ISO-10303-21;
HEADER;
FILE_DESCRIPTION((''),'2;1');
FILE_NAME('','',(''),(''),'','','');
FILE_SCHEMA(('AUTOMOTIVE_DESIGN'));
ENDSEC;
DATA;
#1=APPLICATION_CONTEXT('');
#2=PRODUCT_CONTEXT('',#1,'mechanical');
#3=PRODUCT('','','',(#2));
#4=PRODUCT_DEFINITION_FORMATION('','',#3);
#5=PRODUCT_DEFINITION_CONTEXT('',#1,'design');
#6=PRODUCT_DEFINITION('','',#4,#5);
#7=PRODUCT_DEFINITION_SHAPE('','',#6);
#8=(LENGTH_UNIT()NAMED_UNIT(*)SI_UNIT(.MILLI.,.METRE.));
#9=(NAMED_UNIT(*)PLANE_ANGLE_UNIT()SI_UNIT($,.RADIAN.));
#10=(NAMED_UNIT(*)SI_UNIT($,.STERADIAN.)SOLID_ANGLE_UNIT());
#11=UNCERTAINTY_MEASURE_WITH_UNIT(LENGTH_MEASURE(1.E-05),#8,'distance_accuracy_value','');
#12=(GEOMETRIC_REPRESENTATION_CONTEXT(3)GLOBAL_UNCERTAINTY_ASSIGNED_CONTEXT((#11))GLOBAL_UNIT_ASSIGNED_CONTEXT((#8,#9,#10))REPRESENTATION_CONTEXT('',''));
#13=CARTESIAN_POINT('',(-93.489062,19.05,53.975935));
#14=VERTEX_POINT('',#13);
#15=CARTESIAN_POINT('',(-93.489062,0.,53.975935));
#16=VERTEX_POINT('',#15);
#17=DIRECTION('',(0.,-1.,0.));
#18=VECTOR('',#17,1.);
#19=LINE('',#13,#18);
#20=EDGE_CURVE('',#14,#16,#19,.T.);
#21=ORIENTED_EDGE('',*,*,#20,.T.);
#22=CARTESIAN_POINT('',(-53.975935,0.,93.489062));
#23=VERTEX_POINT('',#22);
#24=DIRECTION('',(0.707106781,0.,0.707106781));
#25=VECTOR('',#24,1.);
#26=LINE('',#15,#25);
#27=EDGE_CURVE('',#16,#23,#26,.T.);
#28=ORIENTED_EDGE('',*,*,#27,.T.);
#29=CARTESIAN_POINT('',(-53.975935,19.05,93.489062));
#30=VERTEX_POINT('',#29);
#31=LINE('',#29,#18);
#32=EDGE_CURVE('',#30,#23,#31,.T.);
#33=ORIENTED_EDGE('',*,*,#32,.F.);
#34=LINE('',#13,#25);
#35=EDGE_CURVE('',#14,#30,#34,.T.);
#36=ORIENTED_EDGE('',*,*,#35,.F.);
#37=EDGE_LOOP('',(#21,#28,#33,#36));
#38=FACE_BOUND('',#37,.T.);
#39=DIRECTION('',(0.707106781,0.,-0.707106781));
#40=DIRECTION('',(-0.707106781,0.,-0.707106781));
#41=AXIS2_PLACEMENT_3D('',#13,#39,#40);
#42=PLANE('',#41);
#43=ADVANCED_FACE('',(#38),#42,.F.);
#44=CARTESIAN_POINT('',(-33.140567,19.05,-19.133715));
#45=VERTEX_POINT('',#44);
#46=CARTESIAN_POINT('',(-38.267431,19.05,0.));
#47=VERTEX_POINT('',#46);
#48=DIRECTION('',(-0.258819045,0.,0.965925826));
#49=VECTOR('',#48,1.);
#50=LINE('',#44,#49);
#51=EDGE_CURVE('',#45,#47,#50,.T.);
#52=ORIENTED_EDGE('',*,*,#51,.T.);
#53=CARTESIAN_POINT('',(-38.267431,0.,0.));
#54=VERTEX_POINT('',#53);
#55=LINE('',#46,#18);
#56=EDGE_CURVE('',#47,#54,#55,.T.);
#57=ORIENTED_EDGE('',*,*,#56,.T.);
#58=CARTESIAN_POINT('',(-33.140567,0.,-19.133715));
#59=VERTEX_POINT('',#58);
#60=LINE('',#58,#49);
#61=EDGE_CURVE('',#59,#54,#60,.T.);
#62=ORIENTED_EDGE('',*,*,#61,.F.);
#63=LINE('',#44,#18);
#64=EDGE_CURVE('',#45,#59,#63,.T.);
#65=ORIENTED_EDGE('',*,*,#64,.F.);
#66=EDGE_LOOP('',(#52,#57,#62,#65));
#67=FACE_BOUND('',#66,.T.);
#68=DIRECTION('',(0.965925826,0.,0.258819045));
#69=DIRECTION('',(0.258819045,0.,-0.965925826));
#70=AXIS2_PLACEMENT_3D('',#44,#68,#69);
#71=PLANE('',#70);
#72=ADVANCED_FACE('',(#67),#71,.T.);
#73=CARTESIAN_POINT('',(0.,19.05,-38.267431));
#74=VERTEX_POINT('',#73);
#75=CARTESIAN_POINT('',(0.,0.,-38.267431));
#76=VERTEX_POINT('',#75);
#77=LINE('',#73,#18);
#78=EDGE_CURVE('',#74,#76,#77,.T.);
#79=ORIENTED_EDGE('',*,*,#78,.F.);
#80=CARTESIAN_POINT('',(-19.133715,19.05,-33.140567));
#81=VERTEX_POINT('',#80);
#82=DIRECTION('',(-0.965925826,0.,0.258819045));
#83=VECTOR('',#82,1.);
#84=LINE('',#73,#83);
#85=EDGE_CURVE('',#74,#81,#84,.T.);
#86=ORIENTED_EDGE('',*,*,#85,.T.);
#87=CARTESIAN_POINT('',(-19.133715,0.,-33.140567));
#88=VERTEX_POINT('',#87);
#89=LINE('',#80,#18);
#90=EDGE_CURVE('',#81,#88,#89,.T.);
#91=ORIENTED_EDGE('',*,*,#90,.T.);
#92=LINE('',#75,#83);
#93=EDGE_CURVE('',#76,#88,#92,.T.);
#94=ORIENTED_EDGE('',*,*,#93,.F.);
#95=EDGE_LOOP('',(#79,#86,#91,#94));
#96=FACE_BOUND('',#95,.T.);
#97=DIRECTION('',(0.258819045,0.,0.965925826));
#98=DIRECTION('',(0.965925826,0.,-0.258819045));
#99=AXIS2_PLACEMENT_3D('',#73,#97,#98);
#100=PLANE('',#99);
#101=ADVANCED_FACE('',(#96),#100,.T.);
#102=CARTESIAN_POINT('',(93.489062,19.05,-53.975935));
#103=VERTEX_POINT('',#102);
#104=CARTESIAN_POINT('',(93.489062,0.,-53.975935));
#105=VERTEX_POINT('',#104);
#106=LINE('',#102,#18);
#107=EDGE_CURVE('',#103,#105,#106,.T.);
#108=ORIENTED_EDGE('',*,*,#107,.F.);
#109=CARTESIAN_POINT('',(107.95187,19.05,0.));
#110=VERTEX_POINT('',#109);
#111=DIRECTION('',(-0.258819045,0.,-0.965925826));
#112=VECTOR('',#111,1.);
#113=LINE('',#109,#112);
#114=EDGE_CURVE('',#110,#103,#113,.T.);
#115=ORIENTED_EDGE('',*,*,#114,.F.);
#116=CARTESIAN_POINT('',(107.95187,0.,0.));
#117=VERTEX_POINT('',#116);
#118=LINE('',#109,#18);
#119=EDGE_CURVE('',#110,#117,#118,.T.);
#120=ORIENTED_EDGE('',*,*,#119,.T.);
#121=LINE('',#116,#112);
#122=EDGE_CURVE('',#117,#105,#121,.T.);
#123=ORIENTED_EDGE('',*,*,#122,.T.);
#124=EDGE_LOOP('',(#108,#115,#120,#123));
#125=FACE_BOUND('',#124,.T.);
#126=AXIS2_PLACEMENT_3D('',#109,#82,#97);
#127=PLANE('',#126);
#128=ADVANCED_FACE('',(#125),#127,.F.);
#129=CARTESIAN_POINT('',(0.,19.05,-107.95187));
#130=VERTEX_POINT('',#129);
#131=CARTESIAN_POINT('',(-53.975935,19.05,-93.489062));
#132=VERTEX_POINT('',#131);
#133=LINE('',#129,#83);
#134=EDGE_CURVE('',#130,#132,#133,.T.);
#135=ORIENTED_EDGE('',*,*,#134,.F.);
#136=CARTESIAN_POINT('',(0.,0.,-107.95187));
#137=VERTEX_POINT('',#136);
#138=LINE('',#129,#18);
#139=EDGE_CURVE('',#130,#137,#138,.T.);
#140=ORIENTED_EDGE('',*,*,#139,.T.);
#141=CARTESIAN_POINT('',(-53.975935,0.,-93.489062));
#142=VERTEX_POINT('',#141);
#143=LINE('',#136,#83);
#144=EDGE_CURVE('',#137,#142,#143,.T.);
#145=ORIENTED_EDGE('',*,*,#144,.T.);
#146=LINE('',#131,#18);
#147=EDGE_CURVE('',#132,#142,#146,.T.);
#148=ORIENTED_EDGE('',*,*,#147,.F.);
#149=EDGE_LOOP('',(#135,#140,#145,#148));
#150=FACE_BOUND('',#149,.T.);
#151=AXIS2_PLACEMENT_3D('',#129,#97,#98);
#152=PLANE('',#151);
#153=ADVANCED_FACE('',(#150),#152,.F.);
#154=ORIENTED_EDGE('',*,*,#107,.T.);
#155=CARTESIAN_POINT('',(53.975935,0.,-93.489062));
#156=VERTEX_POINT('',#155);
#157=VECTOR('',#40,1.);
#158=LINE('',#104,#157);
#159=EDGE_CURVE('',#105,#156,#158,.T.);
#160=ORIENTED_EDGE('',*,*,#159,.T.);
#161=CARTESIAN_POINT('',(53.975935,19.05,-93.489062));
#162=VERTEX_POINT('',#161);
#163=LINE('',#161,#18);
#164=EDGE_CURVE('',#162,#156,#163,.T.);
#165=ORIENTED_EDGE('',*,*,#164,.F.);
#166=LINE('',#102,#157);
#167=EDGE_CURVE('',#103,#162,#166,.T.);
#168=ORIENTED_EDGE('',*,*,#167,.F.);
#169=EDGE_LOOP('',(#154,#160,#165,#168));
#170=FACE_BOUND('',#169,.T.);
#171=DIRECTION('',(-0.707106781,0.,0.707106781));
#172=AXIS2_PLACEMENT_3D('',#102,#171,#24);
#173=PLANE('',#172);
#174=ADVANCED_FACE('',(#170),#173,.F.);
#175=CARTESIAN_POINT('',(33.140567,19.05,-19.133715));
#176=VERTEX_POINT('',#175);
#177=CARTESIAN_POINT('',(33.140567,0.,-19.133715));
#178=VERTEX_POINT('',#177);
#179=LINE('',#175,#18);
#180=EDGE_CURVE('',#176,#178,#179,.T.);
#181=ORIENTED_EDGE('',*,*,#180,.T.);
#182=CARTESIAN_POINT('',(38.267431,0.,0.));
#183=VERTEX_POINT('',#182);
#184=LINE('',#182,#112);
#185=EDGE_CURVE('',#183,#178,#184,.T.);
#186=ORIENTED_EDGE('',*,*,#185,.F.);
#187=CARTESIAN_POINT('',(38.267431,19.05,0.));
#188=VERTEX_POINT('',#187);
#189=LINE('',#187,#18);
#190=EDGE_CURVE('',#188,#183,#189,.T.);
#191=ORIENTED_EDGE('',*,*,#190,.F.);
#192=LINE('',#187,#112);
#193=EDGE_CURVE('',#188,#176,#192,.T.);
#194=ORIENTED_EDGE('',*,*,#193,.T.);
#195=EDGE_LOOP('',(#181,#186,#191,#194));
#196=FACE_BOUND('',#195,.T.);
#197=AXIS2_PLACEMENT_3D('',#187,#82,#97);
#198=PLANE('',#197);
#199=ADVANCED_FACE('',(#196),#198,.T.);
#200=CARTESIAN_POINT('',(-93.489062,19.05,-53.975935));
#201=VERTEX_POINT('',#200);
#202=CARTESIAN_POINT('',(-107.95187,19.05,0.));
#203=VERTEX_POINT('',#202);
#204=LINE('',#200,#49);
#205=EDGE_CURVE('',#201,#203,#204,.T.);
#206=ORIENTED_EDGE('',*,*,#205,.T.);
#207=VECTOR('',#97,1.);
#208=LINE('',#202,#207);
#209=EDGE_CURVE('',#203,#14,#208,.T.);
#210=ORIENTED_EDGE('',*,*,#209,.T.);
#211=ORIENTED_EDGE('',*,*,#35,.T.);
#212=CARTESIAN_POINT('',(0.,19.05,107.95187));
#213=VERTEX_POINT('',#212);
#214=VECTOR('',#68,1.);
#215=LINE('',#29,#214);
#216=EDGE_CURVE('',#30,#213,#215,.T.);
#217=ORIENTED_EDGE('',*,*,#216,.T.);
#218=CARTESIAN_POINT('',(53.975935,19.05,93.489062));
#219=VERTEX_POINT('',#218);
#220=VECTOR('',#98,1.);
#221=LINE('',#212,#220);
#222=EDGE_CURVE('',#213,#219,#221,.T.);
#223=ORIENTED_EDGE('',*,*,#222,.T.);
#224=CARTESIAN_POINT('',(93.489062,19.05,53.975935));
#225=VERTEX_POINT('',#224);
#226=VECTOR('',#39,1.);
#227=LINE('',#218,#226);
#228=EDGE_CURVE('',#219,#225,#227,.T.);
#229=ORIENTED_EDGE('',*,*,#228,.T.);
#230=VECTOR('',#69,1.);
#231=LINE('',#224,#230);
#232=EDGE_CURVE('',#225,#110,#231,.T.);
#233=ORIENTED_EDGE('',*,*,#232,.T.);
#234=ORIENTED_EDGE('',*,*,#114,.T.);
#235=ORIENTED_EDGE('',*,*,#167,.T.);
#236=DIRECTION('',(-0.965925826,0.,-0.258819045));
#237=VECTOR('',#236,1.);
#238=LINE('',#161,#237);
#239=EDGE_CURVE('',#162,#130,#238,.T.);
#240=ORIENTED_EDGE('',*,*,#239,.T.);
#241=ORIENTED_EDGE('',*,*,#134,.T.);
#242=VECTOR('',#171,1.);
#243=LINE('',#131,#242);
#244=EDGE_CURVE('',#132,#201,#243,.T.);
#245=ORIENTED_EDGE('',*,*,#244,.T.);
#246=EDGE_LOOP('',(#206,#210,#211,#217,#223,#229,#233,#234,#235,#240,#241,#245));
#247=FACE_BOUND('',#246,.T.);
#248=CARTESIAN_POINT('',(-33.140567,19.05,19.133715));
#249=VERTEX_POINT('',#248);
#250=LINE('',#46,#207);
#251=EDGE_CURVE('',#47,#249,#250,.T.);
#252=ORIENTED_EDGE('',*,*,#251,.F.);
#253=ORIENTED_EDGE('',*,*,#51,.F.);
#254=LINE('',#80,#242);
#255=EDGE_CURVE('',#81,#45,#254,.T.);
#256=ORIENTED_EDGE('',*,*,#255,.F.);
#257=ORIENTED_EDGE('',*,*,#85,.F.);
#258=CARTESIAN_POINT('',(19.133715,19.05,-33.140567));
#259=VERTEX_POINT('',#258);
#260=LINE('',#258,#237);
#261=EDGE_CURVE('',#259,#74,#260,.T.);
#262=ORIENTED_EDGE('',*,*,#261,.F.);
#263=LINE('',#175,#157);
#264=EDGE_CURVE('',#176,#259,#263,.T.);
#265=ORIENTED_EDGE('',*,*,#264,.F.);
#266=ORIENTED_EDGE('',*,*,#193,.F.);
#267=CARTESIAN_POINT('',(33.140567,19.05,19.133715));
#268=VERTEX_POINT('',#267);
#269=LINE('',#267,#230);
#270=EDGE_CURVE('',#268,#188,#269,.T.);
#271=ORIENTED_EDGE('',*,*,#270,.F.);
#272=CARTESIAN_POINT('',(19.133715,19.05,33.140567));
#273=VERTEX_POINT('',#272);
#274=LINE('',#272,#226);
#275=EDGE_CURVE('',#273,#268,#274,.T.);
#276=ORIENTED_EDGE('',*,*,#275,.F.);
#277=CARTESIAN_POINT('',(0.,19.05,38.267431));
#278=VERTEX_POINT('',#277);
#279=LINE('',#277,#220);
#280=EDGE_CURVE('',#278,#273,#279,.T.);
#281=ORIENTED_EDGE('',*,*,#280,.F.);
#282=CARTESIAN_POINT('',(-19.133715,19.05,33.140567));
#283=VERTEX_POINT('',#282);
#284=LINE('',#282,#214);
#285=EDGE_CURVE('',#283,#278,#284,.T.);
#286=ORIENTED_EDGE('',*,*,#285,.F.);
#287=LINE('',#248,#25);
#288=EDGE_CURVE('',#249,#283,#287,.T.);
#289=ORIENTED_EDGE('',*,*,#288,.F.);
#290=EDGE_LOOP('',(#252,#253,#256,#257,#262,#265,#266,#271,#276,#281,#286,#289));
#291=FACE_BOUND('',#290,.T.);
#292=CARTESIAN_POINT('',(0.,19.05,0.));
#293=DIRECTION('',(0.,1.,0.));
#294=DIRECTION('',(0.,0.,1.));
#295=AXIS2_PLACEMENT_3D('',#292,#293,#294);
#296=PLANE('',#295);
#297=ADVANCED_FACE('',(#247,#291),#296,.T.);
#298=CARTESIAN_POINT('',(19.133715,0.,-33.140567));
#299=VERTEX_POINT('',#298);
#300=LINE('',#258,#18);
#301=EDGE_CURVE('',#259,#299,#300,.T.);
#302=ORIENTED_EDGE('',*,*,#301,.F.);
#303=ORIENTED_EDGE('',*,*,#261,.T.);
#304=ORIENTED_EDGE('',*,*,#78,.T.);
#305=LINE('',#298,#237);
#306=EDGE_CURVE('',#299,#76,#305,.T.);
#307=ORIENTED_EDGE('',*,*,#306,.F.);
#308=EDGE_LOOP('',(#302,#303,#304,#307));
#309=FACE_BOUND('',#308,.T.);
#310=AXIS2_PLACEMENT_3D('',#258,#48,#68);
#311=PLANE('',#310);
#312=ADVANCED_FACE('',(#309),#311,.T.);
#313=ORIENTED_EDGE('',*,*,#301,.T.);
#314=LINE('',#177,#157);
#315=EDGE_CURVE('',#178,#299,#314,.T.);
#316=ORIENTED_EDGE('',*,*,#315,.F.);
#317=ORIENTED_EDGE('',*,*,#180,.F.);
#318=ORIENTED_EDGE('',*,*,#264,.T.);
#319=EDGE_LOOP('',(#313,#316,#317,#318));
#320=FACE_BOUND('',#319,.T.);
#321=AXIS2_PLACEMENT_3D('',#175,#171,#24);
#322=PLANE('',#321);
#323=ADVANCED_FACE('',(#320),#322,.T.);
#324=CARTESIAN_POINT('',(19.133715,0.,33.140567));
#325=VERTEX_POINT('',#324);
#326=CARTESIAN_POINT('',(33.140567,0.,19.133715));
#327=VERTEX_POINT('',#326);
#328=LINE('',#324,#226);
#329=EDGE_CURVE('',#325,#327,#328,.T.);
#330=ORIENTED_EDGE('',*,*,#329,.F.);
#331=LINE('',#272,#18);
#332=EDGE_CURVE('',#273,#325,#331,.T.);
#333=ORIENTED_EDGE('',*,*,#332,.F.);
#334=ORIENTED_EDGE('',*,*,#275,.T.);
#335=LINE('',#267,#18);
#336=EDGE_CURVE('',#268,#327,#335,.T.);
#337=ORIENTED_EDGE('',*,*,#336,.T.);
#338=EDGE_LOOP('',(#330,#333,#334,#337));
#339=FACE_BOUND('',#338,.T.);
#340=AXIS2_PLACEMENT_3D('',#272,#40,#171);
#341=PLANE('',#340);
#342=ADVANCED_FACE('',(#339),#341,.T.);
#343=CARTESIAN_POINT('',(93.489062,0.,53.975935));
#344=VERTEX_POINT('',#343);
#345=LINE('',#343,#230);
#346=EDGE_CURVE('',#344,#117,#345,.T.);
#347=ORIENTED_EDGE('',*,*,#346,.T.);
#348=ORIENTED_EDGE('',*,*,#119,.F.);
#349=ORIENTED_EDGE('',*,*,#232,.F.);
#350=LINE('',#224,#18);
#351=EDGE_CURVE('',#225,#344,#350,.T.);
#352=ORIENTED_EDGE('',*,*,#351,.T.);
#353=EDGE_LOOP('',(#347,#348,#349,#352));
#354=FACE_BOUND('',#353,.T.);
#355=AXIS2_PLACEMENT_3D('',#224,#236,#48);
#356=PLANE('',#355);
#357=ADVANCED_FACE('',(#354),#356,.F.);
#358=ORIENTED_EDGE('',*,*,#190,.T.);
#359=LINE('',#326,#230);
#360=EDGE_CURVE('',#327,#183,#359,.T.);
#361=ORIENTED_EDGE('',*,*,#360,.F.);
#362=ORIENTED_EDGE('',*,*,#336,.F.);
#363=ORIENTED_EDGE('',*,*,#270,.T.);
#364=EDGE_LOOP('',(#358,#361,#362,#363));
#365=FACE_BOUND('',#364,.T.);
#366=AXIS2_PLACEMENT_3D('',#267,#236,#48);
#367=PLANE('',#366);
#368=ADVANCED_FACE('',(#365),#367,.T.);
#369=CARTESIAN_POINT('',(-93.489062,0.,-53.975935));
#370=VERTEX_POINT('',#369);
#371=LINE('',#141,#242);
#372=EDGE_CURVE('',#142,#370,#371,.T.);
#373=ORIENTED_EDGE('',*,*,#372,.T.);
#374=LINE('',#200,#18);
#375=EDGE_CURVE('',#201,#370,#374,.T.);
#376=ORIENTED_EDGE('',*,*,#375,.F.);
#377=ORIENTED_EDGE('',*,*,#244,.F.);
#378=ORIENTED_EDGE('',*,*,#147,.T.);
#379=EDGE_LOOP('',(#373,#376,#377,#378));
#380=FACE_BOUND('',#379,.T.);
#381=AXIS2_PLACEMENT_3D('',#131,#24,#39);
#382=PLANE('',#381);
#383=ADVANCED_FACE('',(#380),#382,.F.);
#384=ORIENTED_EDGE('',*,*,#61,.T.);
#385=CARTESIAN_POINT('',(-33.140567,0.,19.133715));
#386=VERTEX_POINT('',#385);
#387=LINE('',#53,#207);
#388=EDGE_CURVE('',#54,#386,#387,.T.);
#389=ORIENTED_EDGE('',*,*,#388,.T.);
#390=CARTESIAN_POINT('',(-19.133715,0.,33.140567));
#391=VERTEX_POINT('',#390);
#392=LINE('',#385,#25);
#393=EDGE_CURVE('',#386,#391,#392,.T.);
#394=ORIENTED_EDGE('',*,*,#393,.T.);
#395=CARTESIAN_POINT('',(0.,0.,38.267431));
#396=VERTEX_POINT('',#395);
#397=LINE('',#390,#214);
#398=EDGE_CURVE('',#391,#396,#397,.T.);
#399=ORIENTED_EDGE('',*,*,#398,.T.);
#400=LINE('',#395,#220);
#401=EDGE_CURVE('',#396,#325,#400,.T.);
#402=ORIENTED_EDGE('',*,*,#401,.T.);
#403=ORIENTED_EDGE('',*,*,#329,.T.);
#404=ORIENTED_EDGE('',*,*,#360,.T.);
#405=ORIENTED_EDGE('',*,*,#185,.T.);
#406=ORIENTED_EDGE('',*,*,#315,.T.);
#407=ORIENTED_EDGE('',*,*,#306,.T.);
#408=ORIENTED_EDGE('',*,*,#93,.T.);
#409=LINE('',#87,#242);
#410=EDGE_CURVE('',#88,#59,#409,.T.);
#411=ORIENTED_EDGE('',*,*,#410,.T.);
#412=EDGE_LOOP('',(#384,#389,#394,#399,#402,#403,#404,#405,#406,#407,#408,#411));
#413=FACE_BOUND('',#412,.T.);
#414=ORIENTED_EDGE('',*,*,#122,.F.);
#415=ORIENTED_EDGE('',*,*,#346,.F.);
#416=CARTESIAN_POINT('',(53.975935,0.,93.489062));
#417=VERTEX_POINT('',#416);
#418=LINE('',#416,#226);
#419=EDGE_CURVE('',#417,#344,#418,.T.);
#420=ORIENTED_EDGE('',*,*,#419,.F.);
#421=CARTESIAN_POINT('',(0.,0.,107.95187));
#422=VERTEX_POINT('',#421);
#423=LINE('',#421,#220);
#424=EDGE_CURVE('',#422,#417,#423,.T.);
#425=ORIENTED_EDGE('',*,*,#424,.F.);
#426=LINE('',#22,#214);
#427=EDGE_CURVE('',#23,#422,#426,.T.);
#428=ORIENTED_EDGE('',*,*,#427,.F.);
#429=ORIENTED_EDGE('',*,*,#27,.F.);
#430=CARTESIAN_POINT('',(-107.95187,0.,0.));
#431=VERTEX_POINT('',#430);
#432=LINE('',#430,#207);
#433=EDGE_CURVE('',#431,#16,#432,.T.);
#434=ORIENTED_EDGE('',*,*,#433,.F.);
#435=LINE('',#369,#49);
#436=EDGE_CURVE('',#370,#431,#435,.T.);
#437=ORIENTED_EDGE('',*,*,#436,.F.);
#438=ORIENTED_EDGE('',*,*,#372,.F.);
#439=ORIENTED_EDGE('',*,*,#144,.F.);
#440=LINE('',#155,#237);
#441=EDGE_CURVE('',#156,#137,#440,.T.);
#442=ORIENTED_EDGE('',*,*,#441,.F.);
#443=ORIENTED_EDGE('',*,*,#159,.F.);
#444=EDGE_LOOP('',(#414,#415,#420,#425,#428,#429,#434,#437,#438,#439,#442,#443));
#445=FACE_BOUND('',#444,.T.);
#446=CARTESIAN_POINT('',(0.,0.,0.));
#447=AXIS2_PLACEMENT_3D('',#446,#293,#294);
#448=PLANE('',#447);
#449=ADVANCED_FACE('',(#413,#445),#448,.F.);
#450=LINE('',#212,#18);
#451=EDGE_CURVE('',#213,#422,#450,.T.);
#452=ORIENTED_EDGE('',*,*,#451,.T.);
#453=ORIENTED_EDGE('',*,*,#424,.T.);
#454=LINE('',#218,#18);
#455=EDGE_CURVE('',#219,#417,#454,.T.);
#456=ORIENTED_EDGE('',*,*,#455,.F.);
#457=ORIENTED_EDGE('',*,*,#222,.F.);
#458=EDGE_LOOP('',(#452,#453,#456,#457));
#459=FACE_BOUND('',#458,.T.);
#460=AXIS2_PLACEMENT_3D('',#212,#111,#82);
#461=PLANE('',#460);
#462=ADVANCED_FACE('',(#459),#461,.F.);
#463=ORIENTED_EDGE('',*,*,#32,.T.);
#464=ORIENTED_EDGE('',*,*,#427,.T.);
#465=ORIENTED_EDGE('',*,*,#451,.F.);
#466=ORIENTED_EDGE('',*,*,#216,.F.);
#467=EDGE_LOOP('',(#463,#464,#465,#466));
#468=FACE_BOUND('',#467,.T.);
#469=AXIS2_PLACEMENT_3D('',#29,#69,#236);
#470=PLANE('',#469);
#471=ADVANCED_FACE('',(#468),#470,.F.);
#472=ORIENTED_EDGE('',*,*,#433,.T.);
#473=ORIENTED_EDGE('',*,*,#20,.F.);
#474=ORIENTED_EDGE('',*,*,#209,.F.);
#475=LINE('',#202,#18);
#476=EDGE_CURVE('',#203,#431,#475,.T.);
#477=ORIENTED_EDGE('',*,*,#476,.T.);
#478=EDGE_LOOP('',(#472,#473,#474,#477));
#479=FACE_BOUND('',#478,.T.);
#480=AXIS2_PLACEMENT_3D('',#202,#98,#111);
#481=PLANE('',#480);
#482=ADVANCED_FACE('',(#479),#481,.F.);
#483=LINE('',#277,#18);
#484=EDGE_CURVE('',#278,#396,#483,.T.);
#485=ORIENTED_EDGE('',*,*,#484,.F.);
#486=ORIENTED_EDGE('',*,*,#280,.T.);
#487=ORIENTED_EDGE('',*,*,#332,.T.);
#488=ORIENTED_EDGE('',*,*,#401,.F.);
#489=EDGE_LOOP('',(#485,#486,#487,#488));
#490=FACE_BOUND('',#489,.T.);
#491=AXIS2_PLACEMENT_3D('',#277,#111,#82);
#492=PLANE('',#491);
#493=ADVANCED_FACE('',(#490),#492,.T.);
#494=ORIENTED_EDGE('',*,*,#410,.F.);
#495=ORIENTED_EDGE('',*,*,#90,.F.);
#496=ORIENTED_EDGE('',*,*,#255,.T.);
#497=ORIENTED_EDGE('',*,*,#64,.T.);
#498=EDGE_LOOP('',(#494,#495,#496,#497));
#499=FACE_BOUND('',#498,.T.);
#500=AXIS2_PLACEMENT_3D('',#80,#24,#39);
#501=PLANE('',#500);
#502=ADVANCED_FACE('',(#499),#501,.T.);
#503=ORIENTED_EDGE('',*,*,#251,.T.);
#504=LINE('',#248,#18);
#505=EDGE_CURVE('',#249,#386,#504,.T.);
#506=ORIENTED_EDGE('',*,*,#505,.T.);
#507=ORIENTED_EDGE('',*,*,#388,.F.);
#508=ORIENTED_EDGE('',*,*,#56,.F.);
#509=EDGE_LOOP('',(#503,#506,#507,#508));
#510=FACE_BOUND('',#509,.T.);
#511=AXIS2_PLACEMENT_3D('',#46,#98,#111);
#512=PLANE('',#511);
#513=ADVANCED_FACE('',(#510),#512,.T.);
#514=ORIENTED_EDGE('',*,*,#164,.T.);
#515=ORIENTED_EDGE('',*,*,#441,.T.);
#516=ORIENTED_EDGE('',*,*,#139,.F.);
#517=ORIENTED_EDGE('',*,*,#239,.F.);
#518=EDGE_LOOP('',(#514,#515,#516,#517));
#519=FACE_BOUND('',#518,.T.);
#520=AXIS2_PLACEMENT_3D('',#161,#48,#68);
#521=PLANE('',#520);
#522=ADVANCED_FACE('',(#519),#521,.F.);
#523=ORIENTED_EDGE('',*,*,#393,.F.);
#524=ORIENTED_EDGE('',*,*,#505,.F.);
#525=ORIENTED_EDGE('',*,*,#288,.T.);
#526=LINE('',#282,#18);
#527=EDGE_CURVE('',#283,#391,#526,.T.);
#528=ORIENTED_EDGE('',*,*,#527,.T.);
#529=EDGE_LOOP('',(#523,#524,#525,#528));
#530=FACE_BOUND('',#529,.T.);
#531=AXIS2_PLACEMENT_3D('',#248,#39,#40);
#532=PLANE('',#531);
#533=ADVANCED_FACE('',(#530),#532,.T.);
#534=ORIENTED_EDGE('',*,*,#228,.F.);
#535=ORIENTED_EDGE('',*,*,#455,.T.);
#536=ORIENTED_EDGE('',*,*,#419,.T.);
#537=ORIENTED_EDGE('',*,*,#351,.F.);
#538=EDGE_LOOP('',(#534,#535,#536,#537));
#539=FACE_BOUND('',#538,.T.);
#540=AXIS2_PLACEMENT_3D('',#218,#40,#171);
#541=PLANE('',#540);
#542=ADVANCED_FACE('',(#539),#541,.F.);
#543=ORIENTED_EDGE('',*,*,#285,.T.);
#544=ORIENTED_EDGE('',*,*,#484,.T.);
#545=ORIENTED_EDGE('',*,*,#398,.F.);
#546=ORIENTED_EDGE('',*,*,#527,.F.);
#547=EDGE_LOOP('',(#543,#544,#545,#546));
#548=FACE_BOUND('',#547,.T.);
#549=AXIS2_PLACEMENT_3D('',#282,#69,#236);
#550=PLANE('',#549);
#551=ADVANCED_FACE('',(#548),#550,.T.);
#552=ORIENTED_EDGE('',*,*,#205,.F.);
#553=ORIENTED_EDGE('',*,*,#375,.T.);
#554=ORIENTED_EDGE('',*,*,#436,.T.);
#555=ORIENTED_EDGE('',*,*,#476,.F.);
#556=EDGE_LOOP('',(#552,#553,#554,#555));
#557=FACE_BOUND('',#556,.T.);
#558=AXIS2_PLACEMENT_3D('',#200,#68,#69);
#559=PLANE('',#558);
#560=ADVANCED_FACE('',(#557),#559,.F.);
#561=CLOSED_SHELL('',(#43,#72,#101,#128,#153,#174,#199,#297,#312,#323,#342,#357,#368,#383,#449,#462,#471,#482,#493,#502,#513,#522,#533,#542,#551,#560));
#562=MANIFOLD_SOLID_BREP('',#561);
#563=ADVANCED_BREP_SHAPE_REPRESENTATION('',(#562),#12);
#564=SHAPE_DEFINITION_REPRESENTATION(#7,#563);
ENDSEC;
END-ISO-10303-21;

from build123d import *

# Parameters (mm, degrees)
BOSS_EXTRUDE2_DEPTH = 19.05


with BuildPart() as part:
    # Sketch2 → Boss-Extrude2 (new body)
    with BuildSketch(Plane(origin=(0, 0, 0), x_dir=(1, 0, 0), z_dir=(0, 1, 0))):
        Polygon((-107.951870346, 0), (-93.489062106, -53.975935173), (-53.975935173, -93.489062106), (0, -107.951870346), (53.975935173, -93.489062106), (93.489062106, -53.975935173), (107.951870346, 0), (93.489062106, 53.975935173), (53.975935173, 93.489062106), (0, 107.951870346), (-53.975935173, 93.489062106), (-93.489062106, 53.975935173), align=None)
        Polygon((-38.267430643, 0), (-33.140567074, -19.133715321), (-19.133715321, -33.140567074), (0, -38.267430643), (19.133715321, -33.140567074), (33.140567074, -19.133715321), (38.267430643, 0), (33.140567074, 19.133715321), (19.133715321, 33.140567074), (0, 38.267430643), (-19.133715321, 33.140567074), (-33.140567074, 19.133715321), align=None, mode=Mode.SUBTRACT)
    extrude(amount=BOSS_EXTRUDE2_DEPTH)


solid = part.part
